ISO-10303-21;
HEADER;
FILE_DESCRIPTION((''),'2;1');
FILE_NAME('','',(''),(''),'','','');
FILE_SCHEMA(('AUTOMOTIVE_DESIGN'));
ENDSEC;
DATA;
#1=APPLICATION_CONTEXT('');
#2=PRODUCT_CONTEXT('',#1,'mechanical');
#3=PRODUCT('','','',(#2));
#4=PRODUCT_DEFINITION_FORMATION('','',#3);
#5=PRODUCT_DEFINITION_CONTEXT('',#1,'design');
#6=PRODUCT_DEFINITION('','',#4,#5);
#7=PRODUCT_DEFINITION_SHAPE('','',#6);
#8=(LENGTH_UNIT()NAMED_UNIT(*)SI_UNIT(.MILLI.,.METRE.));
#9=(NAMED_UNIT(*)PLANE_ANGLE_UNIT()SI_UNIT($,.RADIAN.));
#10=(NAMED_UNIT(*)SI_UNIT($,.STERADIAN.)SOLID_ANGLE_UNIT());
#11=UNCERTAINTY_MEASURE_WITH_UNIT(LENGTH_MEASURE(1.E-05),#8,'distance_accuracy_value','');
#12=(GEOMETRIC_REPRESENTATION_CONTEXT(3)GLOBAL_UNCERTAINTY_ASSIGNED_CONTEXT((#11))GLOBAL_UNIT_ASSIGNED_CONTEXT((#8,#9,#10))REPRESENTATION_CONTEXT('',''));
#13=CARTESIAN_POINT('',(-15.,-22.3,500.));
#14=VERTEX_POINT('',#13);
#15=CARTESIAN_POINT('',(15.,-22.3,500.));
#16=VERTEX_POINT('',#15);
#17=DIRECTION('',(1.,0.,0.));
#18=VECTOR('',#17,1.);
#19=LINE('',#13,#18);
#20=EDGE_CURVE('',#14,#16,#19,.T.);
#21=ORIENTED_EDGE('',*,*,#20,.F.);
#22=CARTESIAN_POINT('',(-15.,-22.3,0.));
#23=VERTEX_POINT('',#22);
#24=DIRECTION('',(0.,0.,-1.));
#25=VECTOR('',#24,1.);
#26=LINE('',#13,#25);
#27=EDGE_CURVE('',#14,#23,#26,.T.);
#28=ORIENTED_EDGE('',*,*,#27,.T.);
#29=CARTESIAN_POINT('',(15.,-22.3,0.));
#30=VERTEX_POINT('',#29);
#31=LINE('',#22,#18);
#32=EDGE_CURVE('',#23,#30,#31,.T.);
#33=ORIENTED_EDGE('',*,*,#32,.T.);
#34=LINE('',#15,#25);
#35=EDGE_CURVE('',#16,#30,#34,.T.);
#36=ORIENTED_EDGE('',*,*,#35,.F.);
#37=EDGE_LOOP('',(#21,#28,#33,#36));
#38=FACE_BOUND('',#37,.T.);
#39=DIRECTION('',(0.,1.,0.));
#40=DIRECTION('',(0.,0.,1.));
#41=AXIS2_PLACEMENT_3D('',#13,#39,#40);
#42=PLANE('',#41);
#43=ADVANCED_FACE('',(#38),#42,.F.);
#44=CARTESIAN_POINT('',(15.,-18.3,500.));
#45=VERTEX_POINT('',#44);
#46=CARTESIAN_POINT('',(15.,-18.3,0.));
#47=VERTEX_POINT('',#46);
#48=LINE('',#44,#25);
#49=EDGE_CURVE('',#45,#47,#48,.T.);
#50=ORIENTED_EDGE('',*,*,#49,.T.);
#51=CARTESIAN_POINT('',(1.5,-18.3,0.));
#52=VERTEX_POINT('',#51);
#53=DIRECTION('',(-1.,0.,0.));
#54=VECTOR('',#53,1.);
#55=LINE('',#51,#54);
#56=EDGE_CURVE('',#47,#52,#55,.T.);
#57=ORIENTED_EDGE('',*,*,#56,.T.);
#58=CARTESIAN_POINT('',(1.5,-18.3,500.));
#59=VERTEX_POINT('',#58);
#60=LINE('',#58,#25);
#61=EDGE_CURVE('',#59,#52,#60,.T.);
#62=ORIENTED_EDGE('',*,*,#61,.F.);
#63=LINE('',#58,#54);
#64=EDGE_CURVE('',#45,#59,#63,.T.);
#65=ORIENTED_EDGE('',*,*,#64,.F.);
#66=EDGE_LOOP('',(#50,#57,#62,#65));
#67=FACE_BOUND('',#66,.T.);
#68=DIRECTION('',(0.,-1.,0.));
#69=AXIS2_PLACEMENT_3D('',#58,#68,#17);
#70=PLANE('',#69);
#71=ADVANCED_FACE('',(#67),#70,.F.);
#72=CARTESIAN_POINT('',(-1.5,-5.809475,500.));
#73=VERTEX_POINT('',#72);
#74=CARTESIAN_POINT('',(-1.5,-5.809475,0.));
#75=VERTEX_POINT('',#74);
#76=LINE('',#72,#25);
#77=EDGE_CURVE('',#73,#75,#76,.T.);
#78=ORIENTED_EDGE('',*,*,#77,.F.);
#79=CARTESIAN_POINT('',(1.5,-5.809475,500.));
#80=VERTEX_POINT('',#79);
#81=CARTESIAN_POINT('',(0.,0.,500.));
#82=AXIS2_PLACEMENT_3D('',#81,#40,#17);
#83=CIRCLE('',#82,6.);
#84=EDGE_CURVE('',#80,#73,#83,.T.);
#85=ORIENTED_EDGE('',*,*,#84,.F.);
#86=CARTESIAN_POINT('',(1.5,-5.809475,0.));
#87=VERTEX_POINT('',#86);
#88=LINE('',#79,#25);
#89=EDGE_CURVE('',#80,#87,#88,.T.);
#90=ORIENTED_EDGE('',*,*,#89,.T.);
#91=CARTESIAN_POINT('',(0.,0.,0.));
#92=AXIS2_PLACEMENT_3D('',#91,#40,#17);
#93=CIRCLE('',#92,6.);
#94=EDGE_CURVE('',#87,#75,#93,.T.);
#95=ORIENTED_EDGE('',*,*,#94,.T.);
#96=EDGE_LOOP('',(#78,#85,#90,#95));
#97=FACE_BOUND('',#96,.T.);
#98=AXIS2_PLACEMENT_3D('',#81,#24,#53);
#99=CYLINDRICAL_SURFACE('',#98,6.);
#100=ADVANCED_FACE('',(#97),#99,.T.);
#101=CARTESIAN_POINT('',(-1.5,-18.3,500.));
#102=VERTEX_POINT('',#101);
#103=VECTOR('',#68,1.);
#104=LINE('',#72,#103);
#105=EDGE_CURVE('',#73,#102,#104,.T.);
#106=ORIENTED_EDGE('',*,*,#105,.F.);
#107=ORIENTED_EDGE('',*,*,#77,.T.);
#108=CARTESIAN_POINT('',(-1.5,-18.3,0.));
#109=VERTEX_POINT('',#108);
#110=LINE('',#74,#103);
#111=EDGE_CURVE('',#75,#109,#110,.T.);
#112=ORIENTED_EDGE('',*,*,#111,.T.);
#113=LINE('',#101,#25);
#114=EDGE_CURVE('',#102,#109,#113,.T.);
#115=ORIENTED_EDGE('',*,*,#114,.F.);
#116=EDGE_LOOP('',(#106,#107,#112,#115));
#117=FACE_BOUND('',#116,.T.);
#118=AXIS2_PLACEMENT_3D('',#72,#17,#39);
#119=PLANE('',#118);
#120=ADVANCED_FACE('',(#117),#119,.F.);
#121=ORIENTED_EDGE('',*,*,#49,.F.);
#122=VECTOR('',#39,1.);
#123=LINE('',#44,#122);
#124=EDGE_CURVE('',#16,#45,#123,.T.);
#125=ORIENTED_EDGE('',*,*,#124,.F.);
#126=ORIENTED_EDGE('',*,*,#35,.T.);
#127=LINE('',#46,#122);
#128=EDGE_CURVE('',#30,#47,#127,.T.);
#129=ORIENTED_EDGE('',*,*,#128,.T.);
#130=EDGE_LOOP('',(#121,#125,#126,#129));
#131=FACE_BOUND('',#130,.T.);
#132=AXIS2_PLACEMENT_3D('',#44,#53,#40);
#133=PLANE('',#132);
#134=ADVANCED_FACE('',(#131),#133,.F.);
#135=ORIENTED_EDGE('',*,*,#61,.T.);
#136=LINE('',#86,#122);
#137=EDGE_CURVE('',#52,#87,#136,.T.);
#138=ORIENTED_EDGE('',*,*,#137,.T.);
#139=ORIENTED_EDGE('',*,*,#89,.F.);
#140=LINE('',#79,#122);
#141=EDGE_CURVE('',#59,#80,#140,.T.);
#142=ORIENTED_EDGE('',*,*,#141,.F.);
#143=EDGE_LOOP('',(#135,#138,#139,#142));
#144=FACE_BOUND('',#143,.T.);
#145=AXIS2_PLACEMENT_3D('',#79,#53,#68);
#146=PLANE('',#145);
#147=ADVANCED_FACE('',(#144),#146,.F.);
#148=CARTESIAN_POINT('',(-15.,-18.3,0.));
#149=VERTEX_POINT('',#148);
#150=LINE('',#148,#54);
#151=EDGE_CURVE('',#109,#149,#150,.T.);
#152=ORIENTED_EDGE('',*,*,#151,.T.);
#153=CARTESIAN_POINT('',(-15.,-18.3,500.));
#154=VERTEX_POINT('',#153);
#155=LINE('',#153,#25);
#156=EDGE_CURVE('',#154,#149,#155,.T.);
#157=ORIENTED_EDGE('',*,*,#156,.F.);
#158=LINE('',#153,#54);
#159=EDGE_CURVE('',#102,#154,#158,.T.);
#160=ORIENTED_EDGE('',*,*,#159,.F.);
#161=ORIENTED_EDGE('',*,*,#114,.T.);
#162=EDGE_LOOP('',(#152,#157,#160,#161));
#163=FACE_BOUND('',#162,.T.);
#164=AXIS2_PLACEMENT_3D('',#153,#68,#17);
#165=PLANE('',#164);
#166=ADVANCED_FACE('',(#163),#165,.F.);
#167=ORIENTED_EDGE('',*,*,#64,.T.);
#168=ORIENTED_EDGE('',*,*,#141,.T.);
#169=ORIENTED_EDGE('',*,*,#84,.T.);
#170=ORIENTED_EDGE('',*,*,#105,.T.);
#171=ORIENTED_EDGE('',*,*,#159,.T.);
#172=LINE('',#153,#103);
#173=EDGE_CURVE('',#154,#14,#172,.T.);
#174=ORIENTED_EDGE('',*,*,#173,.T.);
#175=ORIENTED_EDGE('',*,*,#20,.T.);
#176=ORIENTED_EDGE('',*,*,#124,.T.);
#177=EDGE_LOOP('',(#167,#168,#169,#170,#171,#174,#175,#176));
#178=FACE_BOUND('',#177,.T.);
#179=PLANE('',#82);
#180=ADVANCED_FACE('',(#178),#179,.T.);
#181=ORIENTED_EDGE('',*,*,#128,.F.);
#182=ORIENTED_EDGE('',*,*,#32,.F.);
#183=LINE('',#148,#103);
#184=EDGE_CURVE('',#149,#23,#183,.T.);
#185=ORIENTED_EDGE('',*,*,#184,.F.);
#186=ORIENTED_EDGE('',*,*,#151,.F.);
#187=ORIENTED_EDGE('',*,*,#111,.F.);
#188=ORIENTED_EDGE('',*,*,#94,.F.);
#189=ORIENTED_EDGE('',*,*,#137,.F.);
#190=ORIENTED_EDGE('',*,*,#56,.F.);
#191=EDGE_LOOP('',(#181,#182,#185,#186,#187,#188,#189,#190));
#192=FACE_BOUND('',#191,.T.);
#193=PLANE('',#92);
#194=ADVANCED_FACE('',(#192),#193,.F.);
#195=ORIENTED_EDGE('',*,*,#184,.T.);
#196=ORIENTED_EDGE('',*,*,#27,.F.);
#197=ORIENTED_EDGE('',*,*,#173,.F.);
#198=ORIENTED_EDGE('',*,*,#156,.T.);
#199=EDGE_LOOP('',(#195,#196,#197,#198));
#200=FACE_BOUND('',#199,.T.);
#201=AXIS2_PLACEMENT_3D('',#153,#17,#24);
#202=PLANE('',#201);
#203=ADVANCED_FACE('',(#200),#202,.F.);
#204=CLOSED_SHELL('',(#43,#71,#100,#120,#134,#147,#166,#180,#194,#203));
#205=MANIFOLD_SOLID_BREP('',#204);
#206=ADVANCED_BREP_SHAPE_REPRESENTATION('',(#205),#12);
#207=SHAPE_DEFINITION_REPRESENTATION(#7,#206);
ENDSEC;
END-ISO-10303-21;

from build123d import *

# Parameters (mm, degrees)
BOSS_EXTRUDE1_DEPTH = 500


with BuildPart() as part:
    # Sketch1 → Boss-Extrude1 (new body)
    with BuildSketch(Plane.XY):
        with BuildLine():
            Line((1.5, -18.3), (15, -18.3))
            Line((15, -18.3), (15, -22.3))
            Line((15, -22.3), (-15, -22.3))
            Line((-15, -22.3), (-15, -18.3))
            Line((-15, -18.3), (-1.5, -18.3))
            Line((-1.5, -18.3), (-1.5, -5.809475019))
            ThreePointArc((-1.5, -5.809475019), (0, 6), (1.5, -5.809475019))
            Line((1.5, -5.809475019), (1.5, -18.3))
        make_face()
    extrude(amount=BOSS_EXTRUDE1_DEPTH)


solid = part.part
